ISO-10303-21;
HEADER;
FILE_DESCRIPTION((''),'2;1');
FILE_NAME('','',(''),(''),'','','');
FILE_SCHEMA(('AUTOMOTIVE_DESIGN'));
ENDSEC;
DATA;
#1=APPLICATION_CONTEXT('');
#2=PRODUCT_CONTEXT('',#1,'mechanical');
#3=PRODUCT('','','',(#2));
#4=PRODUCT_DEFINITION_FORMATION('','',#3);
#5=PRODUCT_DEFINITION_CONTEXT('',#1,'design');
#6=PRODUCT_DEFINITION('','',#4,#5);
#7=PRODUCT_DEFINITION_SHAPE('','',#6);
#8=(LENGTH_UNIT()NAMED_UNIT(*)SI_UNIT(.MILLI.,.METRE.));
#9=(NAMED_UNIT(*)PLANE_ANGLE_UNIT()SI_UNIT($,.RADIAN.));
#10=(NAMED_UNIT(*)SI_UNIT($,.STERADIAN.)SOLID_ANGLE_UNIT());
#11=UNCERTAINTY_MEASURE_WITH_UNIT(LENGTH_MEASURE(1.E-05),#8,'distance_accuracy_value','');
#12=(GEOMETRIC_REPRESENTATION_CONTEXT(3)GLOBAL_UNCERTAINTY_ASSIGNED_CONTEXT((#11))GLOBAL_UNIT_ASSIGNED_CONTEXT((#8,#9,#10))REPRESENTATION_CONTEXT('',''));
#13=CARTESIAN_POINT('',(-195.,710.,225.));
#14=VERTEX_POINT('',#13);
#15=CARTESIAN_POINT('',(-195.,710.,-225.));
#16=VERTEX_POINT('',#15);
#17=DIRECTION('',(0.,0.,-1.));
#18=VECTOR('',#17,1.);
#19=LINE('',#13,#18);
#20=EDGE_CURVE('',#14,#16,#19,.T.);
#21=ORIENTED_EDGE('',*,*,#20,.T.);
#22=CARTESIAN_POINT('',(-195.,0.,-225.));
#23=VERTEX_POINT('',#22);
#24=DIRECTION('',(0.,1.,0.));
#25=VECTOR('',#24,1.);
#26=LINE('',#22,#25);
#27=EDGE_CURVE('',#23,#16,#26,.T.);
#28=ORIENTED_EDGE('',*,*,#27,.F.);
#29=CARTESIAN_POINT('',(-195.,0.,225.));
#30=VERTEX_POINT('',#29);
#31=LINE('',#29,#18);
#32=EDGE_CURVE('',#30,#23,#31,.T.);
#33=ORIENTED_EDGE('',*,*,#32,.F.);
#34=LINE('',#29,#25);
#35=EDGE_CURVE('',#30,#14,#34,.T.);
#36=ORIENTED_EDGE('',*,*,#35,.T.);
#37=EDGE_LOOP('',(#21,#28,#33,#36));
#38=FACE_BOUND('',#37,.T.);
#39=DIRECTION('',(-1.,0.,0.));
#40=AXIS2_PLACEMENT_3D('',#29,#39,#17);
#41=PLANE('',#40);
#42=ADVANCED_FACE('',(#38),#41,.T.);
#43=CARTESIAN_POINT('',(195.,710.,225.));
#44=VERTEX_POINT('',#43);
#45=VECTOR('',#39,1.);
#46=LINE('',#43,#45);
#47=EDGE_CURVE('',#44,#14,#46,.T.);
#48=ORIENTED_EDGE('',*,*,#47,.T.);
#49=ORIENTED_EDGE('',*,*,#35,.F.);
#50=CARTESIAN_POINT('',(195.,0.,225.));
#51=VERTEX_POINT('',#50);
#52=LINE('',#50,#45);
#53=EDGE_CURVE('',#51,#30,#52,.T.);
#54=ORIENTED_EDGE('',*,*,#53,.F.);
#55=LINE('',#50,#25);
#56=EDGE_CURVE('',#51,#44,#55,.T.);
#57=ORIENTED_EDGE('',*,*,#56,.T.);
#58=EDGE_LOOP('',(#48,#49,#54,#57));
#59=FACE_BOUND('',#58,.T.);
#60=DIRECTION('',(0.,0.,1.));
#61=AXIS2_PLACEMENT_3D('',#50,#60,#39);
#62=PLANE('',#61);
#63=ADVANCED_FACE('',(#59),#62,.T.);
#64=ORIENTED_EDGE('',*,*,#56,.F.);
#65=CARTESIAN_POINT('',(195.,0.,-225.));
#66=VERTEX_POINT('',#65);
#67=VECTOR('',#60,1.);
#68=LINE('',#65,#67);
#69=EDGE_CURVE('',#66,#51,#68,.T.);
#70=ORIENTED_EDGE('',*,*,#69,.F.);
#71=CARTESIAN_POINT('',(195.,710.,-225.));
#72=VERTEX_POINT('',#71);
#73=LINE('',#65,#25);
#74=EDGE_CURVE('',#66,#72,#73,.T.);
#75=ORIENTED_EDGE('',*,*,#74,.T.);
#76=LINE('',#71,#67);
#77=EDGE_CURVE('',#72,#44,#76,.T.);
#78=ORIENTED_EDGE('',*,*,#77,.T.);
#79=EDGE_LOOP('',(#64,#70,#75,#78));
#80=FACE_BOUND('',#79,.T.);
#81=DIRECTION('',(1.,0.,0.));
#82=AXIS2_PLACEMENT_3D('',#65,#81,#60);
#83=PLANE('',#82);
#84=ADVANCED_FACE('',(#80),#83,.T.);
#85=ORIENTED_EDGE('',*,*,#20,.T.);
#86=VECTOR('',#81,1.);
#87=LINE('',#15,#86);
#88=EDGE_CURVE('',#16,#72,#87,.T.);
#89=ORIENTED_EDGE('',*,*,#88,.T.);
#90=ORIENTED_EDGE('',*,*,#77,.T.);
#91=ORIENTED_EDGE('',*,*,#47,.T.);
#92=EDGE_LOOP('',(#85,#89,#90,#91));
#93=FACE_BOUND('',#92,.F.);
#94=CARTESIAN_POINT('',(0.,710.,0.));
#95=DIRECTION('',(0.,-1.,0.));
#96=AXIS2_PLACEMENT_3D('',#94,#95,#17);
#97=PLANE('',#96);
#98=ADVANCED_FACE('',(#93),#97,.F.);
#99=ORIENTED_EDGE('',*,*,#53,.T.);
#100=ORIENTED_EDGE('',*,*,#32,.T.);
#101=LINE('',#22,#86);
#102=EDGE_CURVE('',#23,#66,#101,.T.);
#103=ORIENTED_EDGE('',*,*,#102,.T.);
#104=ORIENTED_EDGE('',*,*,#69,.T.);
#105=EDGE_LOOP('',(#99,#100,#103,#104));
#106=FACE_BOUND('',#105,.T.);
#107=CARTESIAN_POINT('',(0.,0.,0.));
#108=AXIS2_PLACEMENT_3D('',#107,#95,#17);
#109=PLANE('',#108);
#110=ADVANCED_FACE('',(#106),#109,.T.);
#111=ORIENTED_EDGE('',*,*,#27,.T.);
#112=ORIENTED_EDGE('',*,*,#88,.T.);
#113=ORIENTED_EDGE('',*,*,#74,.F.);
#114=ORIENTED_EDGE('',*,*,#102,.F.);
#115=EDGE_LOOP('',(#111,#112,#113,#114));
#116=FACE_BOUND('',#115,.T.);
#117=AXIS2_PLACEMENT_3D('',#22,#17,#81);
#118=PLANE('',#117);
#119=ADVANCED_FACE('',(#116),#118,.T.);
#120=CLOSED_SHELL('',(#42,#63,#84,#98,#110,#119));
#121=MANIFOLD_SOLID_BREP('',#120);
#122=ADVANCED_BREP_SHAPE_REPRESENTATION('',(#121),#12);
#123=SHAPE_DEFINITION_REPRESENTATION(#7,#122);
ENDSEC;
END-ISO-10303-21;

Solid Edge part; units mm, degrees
sketch "Sketch1" plane through (0, 0, 0) normal (0, -1, 0) x (1, 0, 0)
  line L0 (-195, -225) -> (195, -225)
  line L1 (195, -225) -> (195, 225)
  line L2 (195, 225) -> (-195, 225)
  line L3 (-195, 225) -> (-195, -225)
extrude "Protrusion1" add sketch "Sketch1" against normal blind 710
